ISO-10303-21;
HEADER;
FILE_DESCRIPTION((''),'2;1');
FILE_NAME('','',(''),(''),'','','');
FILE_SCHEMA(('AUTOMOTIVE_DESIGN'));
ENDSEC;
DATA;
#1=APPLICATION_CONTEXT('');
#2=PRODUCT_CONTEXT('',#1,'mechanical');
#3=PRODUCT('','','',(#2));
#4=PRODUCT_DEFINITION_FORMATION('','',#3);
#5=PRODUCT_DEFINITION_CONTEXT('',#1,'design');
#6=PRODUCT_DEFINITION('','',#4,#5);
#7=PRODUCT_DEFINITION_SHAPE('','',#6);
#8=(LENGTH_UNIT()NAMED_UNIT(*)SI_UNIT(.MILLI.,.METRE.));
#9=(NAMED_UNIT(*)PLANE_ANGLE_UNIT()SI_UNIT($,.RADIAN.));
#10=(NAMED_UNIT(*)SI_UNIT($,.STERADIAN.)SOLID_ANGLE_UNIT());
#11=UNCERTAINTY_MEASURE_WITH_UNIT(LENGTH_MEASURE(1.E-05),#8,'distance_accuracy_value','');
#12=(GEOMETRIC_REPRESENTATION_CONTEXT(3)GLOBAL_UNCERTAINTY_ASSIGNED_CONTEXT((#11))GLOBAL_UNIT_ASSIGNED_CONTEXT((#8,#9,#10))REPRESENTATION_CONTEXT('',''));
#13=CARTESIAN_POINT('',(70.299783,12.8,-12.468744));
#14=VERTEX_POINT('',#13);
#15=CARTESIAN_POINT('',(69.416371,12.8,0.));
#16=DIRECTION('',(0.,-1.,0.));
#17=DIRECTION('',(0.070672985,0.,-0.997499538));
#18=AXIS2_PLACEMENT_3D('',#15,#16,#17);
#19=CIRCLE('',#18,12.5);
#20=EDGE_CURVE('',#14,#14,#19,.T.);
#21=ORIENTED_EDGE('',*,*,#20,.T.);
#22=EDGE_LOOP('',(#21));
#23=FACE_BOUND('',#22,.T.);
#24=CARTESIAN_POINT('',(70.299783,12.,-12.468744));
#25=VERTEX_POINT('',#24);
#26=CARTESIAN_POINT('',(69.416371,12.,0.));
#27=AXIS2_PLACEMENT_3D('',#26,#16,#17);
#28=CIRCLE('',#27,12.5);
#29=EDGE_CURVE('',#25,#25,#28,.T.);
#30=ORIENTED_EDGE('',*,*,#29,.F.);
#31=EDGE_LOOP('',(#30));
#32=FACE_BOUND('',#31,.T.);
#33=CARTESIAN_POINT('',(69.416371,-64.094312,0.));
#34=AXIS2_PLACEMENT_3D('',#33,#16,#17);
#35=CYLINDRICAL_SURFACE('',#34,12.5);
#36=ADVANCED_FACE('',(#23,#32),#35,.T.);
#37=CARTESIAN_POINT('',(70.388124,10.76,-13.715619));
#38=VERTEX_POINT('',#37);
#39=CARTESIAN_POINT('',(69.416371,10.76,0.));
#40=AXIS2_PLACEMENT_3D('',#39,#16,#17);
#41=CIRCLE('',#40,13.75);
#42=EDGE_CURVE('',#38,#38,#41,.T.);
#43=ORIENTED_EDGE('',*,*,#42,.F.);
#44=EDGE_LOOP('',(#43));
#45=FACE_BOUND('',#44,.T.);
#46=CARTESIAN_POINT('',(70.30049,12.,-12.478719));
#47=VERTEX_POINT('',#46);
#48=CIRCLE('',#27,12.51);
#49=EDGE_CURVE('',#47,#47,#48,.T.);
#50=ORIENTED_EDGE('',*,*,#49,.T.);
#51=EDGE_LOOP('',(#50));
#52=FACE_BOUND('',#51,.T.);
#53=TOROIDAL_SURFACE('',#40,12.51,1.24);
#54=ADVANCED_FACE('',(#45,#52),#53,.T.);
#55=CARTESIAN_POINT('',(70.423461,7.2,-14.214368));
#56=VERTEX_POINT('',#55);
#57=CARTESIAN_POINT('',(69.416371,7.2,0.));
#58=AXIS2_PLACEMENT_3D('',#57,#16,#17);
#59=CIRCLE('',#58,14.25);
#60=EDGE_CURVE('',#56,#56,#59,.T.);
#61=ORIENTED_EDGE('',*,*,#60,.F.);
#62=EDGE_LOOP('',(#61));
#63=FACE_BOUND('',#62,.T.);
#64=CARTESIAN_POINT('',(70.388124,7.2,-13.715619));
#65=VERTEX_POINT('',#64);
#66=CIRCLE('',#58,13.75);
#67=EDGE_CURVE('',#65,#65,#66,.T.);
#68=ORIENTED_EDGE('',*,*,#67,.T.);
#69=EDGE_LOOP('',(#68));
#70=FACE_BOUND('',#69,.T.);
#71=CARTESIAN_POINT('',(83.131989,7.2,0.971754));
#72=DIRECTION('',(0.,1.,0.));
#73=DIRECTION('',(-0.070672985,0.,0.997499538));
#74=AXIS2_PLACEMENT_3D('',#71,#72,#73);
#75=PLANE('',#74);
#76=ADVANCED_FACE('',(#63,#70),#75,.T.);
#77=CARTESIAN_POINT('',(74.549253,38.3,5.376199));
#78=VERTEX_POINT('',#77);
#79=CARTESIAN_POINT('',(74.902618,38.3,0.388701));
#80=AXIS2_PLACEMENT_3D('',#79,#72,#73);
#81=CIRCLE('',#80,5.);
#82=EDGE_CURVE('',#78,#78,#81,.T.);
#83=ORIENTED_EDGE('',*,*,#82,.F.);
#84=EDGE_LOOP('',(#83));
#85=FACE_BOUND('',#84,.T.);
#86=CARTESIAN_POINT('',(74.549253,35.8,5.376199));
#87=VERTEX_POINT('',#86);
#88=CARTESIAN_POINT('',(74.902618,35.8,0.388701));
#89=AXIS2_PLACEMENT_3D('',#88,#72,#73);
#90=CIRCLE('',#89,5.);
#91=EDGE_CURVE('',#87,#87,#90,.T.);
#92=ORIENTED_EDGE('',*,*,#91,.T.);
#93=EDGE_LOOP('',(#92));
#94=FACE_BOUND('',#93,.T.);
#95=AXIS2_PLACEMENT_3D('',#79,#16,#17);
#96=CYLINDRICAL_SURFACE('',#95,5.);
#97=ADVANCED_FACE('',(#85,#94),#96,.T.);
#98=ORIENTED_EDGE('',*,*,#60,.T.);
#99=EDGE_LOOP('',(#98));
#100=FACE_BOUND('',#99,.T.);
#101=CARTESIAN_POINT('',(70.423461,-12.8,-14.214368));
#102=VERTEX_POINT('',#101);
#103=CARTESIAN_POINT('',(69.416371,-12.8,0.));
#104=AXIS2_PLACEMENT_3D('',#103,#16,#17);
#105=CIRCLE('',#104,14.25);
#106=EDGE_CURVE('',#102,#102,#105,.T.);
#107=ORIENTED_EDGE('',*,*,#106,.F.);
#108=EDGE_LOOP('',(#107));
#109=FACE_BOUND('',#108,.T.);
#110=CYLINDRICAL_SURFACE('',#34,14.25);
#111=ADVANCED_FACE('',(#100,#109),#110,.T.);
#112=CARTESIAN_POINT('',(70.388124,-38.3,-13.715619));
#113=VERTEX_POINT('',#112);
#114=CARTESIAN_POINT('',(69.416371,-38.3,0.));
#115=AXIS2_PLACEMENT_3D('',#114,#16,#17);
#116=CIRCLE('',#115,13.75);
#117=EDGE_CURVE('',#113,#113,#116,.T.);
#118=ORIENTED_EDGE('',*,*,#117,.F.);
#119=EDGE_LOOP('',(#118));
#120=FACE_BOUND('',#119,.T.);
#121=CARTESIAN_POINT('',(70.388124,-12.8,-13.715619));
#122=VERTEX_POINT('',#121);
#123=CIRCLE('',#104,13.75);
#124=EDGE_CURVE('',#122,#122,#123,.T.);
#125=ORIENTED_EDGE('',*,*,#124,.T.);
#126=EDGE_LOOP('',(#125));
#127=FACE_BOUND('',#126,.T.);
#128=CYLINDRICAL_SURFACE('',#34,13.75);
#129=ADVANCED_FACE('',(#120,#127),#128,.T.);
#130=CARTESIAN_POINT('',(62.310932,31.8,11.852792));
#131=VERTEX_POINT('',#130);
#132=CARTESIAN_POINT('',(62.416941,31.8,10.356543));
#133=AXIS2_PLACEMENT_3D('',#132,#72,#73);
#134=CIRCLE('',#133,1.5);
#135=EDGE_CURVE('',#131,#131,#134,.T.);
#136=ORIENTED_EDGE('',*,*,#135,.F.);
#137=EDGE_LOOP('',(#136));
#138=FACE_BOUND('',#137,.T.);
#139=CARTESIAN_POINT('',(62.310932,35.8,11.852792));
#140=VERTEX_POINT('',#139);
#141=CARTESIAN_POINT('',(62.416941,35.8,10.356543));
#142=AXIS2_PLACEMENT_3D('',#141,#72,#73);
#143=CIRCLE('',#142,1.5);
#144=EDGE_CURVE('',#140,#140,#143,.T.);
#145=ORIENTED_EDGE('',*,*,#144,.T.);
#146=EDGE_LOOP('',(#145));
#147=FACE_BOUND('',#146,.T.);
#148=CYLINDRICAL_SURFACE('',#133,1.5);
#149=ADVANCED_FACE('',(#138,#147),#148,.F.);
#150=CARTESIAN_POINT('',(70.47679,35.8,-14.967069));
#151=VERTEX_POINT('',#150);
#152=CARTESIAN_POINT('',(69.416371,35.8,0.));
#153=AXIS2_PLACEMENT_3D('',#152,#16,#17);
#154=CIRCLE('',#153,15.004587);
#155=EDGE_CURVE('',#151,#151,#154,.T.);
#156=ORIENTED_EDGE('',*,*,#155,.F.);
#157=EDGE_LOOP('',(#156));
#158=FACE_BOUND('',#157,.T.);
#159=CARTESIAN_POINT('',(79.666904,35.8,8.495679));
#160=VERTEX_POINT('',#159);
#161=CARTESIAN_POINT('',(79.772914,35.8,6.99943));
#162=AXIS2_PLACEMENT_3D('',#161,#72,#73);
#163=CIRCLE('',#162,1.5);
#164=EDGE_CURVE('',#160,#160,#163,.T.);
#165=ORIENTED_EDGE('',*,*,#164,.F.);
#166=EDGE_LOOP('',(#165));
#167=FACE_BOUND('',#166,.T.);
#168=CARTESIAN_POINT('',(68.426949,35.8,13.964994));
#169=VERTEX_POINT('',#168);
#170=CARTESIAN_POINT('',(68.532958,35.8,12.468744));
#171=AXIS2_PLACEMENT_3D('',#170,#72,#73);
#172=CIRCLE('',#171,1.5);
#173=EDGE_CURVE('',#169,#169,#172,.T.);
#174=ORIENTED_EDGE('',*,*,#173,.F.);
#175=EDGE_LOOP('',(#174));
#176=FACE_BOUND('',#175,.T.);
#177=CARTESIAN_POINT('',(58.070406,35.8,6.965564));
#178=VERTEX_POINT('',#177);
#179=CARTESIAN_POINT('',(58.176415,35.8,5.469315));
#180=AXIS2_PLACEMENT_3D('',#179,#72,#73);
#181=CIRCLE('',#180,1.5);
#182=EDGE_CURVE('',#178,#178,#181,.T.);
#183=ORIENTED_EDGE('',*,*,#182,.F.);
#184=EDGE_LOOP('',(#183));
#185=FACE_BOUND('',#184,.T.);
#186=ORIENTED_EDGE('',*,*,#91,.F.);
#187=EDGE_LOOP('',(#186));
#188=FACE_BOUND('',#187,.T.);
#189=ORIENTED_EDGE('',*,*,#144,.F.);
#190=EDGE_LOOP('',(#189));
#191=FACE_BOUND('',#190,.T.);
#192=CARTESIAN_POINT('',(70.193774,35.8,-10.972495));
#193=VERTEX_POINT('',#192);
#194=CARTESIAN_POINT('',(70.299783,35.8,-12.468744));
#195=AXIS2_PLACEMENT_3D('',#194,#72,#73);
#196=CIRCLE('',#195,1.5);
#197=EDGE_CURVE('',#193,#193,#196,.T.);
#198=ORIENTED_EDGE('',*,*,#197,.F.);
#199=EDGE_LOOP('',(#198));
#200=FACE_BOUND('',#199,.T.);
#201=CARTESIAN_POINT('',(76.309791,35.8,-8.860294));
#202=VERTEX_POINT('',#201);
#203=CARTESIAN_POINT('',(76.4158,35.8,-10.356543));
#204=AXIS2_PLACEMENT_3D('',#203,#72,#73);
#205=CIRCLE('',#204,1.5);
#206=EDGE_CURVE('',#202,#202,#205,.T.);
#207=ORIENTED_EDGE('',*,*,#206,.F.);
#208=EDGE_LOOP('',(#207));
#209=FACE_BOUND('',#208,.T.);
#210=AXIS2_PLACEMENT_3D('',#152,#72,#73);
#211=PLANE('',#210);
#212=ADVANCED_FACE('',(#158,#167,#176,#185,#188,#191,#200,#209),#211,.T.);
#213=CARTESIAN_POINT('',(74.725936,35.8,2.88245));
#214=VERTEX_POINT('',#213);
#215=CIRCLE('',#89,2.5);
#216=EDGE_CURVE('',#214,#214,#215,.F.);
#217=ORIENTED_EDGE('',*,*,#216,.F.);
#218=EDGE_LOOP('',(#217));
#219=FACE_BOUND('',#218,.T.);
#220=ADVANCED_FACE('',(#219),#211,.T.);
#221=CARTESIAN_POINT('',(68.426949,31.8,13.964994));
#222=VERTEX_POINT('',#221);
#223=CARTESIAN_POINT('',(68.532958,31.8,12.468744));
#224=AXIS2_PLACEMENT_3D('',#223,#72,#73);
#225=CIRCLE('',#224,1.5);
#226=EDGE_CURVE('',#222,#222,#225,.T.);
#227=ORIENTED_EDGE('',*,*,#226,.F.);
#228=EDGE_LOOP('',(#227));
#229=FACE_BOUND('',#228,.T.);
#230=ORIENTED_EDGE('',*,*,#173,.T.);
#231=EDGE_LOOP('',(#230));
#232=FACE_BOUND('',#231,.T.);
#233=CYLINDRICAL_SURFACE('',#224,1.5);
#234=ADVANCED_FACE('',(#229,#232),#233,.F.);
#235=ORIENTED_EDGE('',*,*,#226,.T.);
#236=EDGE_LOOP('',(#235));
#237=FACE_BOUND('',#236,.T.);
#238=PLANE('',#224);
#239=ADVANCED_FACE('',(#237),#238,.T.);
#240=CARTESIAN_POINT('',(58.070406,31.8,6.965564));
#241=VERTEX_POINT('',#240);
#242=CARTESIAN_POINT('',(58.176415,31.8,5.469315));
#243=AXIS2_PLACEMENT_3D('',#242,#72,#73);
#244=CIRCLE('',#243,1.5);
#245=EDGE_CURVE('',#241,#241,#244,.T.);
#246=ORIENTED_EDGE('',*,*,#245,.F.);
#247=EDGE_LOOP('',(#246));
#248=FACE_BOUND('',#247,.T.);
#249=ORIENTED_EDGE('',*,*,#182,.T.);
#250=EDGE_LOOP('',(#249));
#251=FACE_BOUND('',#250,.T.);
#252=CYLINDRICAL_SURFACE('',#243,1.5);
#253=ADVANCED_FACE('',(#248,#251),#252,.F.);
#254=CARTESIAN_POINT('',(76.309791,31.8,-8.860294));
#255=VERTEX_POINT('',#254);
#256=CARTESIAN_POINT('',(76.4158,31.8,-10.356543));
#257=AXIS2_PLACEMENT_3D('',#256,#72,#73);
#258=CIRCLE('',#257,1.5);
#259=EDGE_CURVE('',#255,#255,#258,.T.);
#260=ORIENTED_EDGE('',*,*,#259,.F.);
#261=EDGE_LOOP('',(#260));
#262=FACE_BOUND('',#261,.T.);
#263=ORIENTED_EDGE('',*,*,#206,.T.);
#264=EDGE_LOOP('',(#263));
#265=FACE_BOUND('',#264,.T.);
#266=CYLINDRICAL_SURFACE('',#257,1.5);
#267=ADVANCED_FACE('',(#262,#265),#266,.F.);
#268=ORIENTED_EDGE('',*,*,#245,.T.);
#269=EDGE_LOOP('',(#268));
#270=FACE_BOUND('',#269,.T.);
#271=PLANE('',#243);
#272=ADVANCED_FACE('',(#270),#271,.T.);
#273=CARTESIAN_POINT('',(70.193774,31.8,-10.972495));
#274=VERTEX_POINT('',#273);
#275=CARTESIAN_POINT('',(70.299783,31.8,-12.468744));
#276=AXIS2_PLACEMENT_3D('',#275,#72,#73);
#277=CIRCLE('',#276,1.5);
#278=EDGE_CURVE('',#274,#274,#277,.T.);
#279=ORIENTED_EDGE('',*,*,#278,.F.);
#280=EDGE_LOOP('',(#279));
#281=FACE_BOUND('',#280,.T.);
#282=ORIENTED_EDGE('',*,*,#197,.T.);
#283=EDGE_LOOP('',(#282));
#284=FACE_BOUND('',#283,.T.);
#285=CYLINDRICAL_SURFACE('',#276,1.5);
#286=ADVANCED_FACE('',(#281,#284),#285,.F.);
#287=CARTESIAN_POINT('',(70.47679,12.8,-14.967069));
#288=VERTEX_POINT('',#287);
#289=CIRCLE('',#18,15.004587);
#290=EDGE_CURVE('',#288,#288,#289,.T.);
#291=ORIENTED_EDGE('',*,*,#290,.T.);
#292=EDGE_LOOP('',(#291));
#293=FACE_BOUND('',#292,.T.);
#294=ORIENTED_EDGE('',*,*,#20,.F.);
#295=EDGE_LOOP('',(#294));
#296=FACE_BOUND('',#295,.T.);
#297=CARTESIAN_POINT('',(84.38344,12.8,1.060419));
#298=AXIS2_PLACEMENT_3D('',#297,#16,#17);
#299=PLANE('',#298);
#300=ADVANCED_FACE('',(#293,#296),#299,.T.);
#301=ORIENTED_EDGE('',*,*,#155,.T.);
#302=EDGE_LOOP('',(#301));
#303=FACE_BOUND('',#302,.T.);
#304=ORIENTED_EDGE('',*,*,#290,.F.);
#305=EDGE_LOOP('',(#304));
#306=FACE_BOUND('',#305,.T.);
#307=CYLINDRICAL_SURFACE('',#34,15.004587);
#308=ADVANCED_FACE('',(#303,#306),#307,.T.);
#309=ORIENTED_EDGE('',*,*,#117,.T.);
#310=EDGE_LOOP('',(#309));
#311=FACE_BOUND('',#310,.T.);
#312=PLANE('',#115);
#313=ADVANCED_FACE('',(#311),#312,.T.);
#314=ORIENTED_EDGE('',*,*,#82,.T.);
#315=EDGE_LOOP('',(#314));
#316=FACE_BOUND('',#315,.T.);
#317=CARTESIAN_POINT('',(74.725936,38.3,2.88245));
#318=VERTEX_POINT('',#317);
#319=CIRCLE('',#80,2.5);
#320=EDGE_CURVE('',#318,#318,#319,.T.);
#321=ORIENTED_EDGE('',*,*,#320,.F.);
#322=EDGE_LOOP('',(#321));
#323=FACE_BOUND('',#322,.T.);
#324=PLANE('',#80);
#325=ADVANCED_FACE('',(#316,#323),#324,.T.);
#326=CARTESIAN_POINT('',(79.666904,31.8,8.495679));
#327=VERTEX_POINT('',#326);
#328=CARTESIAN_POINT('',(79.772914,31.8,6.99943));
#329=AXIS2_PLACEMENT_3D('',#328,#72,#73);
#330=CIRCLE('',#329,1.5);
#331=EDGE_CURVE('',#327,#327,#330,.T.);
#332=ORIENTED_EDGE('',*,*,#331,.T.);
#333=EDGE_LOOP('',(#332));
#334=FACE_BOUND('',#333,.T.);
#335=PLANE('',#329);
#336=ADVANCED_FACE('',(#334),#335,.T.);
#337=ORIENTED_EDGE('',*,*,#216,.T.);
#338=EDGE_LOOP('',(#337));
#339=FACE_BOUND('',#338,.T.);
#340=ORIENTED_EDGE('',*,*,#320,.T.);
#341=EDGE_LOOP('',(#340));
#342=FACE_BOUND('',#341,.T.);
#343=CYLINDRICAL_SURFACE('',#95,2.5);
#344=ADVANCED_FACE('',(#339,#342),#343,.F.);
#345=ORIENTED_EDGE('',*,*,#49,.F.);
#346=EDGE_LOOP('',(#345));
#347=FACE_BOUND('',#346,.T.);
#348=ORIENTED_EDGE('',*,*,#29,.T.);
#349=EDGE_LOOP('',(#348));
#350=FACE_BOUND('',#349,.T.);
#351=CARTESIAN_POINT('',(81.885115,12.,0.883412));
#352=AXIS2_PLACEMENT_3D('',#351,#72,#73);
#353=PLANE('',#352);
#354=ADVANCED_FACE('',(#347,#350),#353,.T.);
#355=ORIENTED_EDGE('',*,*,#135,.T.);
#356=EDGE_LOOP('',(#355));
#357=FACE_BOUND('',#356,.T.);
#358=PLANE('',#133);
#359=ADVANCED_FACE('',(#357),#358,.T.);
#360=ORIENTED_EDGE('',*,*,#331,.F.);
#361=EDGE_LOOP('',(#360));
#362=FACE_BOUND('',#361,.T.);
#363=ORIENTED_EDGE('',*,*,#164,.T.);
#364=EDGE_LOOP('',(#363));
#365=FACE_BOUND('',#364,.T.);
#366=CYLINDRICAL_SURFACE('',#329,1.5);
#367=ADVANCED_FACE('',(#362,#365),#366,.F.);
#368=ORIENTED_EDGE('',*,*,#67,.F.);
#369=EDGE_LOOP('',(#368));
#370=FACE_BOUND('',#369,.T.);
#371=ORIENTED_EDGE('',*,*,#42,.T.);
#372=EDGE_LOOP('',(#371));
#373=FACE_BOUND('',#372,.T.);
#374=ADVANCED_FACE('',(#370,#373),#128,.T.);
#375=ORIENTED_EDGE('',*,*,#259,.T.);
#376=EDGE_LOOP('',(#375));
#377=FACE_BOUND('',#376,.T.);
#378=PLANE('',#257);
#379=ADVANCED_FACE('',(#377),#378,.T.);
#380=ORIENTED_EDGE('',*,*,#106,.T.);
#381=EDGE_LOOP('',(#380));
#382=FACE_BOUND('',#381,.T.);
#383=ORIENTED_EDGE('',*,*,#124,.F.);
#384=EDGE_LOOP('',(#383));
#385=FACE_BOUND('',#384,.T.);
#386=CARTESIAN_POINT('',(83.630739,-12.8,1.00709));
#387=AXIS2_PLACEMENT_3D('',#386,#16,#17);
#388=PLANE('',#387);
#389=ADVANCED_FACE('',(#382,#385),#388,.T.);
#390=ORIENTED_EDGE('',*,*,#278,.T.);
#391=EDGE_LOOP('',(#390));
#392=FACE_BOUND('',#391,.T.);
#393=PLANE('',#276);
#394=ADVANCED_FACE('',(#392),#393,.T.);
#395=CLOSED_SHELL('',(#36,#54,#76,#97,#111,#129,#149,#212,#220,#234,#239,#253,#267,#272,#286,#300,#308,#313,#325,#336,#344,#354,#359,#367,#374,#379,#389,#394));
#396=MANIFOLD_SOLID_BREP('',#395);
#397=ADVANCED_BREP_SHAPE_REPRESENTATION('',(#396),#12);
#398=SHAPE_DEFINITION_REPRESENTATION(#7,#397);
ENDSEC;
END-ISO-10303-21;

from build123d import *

# Parameters (mm, degrees)
SKETCH5_R             = 1.5
CUT_EXTRUDE1_DEPTH    = 4
SKETCH3_R             = 5
SKETCH3_R_2           = 2.5
BOSS_EXTRUDE3_DEPTH   = 2.5
BODY_MOVE_COPY1_ANGLE = 180
BODY_MOVE_COPY2_ANGLE = 180
BODY_MOVE_COPY3_ANGLE = 90


with BuildPart() as part:
    # Sketch1 → Revolve1 (revolve)
    with BuildSketch(Plane.XY, mode=Mode.PRIVATE) as revolve1_sk:
        with BuildLine():
            Line((33.701320748, 0), (33.701320748, 13.75))
            Line((33.701320748, 13.75), (21.201320748, 13.75))
            Line((21.201320748, 13.75), (8.201320748, 13.75))
            Line((8.201320748, 13.75), (8.201320748, 14.25))
            Line((8.201320748, 14.25), (-11.798679252, 14.25))
            Line((-11.798679252, 14.25), (-11.798679252, 13.75))
            Line((-11.798679252, 13.75), (-15.358679252, 13.75))
            ThreePointArc((-15.358679252, 13.75), (-16.23549166, 13.386812409), (-16.598679252, 12.51))
            Line((-16.598679252, 12.51), (-16.598679252, 12.5))
            Line((-16.598679252, 12.5), (-17.398679252, 12.5))
            Line((-17.398679252, 12.5), (-17.398679252, 15.00458738))
            Line((-17.398679252, 15.00458738), (-40.398679252, 15.00458738))
            Line((-40.398679252, 15.00458738), (-40.398679252, 0))
            Line((-40.398679252, 0), (33.701320748, 0))
        make_face()
    revolve(revolve1_sk.sketch.rotate(Axis((59.495632986, 0, 0), (-1, 0, 0)), 90), axis=Axis((59.495632986, 0, 0), (-1, 0, 0)))

    # Sketch5 → Cut-Extrude1 (cut)
    with BuildSketch(Plane.ZY.offset(40.398679252)):
        with Locations((-12.5, 0)):
            Circle(SKETCH5_R)
        with Locations((-10.825317547, 6.25)):
            Circle(SKETCH5_R)
        with Locations((6.25, 10.825317547)):
            Circle(SKETCH5_R)
        with Locations((12.5, 0)):
            Circle(SKETCH5_R)
        with Locations((10.825317547, -6.25)):
            Circle(SKETCH5_R)
        with Locations((6.25, -10.825317547)):
            Circle(SKETCH5_R)
    extrude(amount=-CUT_EXTRUDE1_DEPTH, mode=Mode.SUBTRACT)

    # Sketch3 → Boss-Extrude3 (add)
    with BuildSketch(Plane.ZY.offset(40.398679252)):
        with Locations((0, 5.5)):
            Circle(SKETCH3_R)
        with Locations((0, 5.5)):
            Circle(SKETCH3_R_2, mode=Mode.SUBTRACT)
    extrude(amount=BOSS_EXTRUDE3_DEPTH)


with BuildPart() as part_1:
    # Body-Move/Copy1: moved
    add(part.part.moved(Location((0, 0, 0))).rotate(Axis((-4.598679252, 0, 0), (0, 0, 1)), BODY_MOVE_COPY1_ANGLE))


with BuildPart() as part_2:
    # Body-Move/Copy2: moved
    add(part_1.part.moved(Location((0, 0, 0))).rotate(Axis((-4.598679252, 0, 0), (1.0345263845412585e-14, -0.03535860277253268, 0.9993746890981252)), BODY_MOVE_COPY2_ANGLE))


with BuildPart() as part_3:
    # Body-Move/Copy3: moved
    add(part_2.part.rotate(Axis((-4.598679252, 0, 0), (0, 0, -1)), BODY_MOVE_COPY3_ANGLE))


with BuildPart() as part_4:
    # Body-Move/Copy4: moved
    add(part_3.part.moved(Location((74.015049938, 0, 0))))


solid = part_4.part
